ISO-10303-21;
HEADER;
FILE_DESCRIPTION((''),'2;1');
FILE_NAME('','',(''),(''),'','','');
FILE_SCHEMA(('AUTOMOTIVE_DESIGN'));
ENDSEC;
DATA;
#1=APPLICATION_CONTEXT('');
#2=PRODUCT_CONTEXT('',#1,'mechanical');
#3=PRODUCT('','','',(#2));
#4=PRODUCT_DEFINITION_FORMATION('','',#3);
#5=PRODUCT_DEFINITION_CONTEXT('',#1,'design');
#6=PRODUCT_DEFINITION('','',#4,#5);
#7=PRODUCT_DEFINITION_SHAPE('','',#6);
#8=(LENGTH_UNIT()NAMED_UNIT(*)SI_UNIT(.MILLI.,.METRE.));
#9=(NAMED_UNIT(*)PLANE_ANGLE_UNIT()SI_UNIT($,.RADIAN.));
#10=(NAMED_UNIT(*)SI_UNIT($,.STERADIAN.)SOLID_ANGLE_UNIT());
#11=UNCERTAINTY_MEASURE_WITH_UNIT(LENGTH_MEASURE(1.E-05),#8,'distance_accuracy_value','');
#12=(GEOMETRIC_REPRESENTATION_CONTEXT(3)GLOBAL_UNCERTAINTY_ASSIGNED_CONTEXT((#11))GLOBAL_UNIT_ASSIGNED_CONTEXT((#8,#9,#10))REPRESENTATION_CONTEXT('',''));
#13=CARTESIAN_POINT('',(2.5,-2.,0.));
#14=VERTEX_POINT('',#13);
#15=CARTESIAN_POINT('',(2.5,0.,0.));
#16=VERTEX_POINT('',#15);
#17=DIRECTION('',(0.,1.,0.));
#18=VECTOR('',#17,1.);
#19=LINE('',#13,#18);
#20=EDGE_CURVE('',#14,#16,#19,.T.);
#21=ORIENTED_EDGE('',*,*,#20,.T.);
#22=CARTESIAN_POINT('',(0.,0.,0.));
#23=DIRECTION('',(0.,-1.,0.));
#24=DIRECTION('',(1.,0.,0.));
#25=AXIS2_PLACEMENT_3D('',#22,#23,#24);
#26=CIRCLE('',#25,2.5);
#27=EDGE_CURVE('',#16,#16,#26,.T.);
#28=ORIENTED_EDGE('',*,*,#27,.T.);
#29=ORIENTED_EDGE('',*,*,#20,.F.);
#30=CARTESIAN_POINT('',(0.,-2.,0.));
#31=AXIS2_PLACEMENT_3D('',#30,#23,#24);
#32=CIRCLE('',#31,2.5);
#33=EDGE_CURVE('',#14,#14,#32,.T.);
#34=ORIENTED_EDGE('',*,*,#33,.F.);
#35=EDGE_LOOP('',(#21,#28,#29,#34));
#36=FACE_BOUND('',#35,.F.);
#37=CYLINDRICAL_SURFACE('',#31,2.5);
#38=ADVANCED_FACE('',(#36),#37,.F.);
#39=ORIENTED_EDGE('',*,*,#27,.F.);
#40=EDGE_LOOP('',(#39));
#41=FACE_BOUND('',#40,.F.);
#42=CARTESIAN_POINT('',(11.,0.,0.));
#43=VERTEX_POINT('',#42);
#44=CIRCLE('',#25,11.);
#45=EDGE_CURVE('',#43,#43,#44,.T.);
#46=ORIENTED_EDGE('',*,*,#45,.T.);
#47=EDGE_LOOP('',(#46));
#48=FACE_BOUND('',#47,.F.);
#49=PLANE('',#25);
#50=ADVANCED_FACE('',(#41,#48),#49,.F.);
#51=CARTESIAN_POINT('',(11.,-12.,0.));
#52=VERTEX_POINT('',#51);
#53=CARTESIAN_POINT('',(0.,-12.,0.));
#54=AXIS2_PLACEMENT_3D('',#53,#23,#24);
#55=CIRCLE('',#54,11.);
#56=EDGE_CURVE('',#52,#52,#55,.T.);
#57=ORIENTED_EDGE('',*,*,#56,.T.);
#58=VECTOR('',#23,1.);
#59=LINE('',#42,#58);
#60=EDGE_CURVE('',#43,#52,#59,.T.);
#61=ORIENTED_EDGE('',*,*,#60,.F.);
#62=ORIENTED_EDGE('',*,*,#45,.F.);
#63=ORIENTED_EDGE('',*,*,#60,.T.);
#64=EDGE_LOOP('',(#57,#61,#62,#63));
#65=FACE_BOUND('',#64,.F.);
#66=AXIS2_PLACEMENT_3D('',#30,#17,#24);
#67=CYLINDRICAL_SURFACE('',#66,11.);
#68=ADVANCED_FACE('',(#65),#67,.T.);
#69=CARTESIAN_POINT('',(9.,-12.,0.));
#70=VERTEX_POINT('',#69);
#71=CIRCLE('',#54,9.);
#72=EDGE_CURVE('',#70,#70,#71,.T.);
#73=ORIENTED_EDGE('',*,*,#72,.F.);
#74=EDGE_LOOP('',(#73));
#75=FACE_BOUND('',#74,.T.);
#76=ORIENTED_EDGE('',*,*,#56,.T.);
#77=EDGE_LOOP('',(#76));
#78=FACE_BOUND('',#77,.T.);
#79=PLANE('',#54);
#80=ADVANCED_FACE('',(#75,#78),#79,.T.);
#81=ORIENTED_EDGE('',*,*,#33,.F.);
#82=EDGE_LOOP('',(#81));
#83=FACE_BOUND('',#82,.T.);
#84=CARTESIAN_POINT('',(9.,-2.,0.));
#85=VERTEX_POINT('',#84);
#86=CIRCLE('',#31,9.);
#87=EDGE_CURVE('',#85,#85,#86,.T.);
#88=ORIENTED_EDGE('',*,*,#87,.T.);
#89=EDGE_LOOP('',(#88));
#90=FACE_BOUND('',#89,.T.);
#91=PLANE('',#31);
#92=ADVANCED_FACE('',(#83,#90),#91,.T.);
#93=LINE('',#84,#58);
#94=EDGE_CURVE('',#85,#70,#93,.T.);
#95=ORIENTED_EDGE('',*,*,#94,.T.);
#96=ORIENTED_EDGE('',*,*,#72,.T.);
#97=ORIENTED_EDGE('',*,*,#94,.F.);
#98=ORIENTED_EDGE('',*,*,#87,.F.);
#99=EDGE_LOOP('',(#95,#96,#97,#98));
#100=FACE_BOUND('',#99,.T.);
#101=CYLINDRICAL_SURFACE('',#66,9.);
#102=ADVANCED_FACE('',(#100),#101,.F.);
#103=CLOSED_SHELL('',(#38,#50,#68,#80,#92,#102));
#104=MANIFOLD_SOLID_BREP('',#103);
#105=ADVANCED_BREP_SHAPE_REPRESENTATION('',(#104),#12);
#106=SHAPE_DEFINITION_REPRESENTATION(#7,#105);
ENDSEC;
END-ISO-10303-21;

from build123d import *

# Parameters (mm, degrees)
F0_R     = 11
F1_DEPTH = 2
F2_R     = 2.5
F3_DEPTH = 25
F4_R     = 11
F4_R_2   = 9
F5_DEPTH = 10


with BuildPart() as f1:
    # F0 (on Front) → F1 (new body)
    with BuildSketch(Plane.XZ):
        Circle(F0_R)
    extrude(amount=F1_DEPTH)

    # F2 (on face) → F3 (cut)
    with BuildSketch(Plane.XZ.offset(2)):
        Circle(F2_R)
    extrude(amount=-F3_DEPTH, mode=Mode.SUBTRACT)

    # F4 (on face) → F5 (join)
    with BuildSketch(Plane.XZ.offset(2)):
        Circle(F4_R)
        Circle(F4_R_2, mode=Mode.SUBTRACT)
    extrude(amount=F5_DEPTH)


solid = f1.part
